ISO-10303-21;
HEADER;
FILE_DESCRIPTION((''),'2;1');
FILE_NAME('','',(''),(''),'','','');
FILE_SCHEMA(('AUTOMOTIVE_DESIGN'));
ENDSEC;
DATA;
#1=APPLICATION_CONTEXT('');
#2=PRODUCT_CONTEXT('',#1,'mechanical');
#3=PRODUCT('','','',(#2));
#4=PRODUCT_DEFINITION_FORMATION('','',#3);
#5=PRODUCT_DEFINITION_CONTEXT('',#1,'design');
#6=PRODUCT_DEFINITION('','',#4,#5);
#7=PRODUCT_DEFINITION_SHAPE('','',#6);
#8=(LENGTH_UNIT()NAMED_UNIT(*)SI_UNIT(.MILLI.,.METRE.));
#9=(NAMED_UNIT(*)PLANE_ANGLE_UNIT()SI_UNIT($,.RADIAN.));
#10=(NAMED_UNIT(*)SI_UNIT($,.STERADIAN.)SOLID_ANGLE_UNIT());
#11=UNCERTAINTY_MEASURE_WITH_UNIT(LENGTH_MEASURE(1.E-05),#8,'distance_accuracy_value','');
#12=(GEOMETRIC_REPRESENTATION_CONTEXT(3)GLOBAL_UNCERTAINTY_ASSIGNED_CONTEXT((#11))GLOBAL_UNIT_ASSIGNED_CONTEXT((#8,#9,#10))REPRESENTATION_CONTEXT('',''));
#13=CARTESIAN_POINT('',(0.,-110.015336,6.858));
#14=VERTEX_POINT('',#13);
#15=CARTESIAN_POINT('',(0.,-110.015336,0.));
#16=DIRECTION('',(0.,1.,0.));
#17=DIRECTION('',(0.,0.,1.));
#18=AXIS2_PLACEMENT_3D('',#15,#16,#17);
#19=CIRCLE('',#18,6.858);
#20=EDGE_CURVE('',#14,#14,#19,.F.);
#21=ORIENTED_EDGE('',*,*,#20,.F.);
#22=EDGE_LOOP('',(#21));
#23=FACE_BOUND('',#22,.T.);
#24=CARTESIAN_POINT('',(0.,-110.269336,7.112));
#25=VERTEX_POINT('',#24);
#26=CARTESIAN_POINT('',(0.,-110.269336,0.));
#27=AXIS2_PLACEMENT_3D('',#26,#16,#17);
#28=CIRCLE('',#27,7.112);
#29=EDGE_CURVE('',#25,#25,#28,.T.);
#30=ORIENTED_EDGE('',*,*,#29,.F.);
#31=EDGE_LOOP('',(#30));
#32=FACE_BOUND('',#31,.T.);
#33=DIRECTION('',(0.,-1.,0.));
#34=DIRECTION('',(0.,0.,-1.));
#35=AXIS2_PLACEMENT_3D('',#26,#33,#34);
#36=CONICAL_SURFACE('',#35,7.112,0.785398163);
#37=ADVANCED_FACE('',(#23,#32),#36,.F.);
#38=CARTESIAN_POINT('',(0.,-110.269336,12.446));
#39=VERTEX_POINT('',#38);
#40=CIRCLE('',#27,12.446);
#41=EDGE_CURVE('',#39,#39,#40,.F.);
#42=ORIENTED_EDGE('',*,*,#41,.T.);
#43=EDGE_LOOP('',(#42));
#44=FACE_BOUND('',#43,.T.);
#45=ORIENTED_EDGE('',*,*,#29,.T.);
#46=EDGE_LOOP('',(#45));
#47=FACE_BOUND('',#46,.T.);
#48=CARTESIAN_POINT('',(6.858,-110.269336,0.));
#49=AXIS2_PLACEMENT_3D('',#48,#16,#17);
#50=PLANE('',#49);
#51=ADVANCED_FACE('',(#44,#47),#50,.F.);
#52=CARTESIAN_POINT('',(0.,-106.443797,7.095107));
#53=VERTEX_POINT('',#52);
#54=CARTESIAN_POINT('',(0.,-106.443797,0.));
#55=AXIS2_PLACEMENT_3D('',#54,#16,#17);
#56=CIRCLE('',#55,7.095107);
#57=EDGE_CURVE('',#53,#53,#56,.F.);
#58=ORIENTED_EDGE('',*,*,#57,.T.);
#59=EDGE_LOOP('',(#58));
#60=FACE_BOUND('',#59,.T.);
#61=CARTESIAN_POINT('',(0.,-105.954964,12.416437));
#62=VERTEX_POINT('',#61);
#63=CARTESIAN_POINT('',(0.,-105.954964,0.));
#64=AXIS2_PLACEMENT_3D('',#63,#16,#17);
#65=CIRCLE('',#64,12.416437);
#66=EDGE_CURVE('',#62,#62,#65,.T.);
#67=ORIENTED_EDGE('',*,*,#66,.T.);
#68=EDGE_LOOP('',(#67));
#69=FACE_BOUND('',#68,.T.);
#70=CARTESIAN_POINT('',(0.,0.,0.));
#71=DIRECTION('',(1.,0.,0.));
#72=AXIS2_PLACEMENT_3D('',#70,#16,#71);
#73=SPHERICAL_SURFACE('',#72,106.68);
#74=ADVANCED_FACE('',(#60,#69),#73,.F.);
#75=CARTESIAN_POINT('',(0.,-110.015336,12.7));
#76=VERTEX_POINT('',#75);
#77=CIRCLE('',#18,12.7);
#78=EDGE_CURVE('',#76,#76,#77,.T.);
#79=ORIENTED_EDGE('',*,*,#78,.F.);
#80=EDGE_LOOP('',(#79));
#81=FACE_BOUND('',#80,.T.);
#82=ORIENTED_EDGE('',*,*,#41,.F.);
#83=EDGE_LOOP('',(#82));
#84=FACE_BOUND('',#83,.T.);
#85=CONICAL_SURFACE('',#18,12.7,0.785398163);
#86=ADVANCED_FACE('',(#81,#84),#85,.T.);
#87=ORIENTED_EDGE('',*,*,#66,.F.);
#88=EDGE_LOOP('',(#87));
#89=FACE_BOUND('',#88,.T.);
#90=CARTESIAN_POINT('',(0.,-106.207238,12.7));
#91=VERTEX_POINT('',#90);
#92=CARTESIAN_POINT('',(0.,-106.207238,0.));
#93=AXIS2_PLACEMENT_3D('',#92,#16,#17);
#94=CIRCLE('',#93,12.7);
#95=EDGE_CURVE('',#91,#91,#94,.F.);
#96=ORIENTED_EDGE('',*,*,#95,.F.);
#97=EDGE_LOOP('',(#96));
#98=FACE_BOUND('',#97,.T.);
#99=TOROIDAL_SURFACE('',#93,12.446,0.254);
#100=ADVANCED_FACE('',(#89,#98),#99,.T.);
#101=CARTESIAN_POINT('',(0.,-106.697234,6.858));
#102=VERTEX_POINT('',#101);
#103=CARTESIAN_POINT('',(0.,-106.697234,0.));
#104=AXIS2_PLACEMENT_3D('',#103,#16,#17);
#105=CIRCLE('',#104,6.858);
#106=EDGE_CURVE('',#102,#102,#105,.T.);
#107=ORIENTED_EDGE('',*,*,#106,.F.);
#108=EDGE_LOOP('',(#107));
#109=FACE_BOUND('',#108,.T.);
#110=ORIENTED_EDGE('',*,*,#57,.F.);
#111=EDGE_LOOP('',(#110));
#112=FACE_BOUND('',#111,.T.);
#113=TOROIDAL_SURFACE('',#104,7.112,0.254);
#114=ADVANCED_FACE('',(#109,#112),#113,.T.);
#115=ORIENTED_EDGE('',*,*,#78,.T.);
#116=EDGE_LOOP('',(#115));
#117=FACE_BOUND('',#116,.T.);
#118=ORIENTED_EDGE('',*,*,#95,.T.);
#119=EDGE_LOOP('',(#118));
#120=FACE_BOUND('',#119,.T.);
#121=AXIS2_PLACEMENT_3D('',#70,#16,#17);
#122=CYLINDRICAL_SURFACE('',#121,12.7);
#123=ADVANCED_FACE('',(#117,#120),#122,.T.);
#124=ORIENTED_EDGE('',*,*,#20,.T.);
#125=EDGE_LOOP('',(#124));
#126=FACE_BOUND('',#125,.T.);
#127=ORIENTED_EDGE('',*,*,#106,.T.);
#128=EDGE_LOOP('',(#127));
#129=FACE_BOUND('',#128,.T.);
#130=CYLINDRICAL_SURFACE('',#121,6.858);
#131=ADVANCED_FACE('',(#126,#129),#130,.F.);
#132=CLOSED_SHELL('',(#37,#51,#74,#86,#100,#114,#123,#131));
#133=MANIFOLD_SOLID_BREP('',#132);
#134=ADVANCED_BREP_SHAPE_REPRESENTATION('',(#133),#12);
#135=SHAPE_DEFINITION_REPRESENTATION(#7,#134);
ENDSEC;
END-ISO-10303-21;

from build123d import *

# Parameters (mm, degrees)
FILLET3_R     = 0.254
CHAMFER2_SIZE = 0.254


with BuildPart() as part:
    # Sketch1 → Concave Revolve (revolve)
    with BuildSketch(Plane.XY, mode=Mode.PRIVATE) as concave_revolve_sk:
        with BuildLine():
            Line((6.858, -110.269336068), (12.7, -110.269336068))
            Line((12.7, -110.269336068), (12.7, -105.921350067))
            ThreePointArc((12.7, -105.921350067), (9.782698924, -106.23050975), (6.858, -106.459336068))
            Line((6.858, -106.459336068), (6.858, -110.269336068))
        make_face()
    revolve(concave_revolve_sk.sketch.rotate(Axis((0, 0, 0), (0, -1, 0)), 90), axis=Axis((0, 0, 0), (0, -1, 0)))  # turned: the seam where the file's is

    # Fillet3
    fillet3_edges = [part.edges().sort_by_distance(p)[0] for p in [
        (0, -106.459336068, -6.858),
        (0, -105.921350067, -12.7),
    ]]
    fillet(fillet3_edges, radius=FILLET3_R)

    # Chamfer2
    chamfer2_edges = [part.edges().sort_by_distance(p)[0] for p in [
        (0, -110.269336068, -12.7),
        (0, -110.269336068, -6.858),
    ]]
    chamfer(chamfer2_edges, length=CHAMFER2_SIZE)


solid = part.part
